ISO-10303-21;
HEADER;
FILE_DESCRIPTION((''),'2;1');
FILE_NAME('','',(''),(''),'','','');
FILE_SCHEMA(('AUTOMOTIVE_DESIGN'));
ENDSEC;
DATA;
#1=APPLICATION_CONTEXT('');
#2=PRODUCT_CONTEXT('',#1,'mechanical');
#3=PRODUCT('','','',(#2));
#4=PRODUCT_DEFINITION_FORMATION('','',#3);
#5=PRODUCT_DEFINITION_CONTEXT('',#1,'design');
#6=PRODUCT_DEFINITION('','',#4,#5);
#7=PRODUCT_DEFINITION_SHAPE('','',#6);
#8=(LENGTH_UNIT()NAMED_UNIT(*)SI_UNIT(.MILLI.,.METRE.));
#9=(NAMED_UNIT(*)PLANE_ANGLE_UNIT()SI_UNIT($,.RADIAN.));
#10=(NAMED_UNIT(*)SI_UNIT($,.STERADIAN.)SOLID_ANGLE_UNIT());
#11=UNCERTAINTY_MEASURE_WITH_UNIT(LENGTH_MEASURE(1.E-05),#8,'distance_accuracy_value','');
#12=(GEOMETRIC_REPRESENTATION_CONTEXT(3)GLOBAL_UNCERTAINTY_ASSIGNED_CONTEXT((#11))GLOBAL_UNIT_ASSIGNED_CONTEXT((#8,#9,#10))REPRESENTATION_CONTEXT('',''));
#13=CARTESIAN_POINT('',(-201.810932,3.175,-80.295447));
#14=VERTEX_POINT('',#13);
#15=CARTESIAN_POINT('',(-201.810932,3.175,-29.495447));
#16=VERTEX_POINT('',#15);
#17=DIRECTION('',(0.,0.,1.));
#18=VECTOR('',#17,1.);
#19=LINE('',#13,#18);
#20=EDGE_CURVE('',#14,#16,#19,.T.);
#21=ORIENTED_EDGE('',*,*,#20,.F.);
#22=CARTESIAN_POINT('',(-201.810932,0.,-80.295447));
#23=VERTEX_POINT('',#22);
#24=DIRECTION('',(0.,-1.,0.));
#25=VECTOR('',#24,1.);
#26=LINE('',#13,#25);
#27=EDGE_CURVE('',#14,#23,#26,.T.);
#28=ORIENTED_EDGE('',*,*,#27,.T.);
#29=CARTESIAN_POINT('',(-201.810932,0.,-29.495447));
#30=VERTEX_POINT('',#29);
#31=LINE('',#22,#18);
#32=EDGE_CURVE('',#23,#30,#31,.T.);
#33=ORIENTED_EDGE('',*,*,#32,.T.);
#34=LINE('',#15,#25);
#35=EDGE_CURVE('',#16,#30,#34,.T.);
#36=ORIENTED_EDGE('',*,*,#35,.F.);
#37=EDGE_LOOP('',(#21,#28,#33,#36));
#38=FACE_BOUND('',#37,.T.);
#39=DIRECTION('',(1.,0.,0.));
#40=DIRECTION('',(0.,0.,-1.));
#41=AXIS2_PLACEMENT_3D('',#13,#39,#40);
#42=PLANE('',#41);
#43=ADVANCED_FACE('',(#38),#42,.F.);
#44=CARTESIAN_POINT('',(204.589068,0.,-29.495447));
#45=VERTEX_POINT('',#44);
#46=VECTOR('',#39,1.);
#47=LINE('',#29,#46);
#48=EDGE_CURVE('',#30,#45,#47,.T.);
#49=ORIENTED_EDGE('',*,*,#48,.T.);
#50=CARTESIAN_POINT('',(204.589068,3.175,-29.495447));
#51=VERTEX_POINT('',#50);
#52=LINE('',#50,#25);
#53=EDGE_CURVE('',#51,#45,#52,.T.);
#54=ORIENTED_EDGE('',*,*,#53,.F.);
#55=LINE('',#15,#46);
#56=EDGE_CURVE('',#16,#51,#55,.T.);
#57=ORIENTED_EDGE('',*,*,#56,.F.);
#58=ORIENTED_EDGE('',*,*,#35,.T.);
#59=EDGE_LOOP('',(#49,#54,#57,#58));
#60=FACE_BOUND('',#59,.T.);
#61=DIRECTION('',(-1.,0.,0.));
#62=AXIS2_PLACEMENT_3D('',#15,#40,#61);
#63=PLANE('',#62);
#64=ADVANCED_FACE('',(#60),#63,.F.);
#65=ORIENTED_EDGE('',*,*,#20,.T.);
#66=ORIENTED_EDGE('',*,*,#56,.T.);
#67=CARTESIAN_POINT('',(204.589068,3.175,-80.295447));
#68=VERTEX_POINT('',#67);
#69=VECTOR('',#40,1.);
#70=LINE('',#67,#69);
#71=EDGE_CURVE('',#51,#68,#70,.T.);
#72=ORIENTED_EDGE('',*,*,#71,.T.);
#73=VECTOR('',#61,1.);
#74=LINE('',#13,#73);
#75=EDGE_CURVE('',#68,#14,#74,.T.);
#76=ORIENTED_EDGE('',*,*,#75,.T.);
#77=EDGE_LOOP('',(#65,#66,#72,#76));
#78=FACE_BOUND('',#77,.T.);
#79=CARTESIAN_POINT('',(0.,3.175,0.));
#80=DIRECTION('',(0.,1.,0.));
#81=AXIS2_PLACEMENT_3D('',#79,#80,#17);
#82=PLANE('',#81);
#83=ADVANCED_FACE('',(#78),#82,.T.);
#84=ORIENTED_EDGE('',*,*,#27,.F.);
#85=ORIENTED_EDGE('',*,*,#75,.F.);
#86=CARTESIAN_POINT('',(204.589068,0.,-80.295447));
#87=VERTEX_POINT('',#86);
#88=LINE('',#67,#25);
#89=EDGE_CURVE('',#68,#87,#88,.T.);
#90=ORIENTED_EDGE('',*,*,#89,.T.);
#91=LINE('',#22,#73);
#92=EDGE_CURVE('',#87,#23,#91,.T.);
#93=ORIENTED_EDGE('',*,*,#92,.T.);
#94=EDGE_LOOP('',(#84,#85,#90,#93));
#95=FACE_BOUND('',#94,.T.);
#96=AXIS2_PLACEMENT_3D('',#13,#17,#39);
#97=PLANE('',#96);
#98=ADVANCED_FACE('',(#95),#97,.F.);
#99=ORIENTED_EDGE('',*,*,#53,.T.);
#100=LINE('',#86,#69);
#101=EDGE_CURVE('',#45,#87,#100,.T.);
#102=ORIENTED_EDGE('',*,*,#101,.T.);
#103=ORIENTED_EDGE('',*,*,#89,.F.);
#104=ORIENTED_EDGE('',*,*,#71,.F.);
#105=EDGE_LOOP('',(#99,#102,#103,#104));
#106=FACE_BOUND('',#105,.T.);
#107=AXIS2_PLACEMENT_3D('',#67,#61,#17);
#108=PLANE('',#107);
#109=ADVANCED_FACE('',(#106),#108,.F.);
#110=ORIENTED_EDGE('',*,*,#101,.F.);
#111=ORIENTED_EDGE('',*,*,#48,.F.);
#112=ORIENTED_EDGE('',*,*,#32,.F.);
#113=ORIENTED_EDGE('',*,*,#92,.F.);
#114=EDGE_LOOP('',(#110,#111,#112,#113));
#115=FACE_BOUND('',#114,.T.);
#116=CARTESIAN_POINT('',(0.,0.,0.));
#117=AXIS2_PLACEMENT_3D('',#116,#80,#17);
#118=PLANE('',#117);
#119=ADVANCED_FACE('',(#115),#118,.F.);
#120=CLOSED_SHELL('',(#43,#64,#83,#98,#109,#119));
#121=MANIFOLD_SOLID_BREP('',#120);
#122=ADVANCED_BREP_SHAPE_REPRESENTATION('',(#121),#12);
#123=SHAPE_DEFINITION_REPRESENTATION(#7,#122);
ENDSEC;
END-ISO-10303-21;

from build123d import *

# Parameters (mm, degrees)
SKETCH1_W           = 406.4
SKETCH1_H           = 50.8
BOSS_EXTRUDE1_DEPTH = 3.175


with BuildPart() as part:
    # Sketch1 → Boss-Extrude1 (new body)
    with BuildSketch(Plane(origin=(0, 0, 0), x_dir=(1, 0, 0), z_dir=(0, 1, 0))):
        with Locations((1.389067996, 54.895446614)):
            Rectangle(SKETCH1_W, SKETCH1_H)
    extrude(amount=BOSS_EXTRUDE1_DEPTH)


solid = part.part
